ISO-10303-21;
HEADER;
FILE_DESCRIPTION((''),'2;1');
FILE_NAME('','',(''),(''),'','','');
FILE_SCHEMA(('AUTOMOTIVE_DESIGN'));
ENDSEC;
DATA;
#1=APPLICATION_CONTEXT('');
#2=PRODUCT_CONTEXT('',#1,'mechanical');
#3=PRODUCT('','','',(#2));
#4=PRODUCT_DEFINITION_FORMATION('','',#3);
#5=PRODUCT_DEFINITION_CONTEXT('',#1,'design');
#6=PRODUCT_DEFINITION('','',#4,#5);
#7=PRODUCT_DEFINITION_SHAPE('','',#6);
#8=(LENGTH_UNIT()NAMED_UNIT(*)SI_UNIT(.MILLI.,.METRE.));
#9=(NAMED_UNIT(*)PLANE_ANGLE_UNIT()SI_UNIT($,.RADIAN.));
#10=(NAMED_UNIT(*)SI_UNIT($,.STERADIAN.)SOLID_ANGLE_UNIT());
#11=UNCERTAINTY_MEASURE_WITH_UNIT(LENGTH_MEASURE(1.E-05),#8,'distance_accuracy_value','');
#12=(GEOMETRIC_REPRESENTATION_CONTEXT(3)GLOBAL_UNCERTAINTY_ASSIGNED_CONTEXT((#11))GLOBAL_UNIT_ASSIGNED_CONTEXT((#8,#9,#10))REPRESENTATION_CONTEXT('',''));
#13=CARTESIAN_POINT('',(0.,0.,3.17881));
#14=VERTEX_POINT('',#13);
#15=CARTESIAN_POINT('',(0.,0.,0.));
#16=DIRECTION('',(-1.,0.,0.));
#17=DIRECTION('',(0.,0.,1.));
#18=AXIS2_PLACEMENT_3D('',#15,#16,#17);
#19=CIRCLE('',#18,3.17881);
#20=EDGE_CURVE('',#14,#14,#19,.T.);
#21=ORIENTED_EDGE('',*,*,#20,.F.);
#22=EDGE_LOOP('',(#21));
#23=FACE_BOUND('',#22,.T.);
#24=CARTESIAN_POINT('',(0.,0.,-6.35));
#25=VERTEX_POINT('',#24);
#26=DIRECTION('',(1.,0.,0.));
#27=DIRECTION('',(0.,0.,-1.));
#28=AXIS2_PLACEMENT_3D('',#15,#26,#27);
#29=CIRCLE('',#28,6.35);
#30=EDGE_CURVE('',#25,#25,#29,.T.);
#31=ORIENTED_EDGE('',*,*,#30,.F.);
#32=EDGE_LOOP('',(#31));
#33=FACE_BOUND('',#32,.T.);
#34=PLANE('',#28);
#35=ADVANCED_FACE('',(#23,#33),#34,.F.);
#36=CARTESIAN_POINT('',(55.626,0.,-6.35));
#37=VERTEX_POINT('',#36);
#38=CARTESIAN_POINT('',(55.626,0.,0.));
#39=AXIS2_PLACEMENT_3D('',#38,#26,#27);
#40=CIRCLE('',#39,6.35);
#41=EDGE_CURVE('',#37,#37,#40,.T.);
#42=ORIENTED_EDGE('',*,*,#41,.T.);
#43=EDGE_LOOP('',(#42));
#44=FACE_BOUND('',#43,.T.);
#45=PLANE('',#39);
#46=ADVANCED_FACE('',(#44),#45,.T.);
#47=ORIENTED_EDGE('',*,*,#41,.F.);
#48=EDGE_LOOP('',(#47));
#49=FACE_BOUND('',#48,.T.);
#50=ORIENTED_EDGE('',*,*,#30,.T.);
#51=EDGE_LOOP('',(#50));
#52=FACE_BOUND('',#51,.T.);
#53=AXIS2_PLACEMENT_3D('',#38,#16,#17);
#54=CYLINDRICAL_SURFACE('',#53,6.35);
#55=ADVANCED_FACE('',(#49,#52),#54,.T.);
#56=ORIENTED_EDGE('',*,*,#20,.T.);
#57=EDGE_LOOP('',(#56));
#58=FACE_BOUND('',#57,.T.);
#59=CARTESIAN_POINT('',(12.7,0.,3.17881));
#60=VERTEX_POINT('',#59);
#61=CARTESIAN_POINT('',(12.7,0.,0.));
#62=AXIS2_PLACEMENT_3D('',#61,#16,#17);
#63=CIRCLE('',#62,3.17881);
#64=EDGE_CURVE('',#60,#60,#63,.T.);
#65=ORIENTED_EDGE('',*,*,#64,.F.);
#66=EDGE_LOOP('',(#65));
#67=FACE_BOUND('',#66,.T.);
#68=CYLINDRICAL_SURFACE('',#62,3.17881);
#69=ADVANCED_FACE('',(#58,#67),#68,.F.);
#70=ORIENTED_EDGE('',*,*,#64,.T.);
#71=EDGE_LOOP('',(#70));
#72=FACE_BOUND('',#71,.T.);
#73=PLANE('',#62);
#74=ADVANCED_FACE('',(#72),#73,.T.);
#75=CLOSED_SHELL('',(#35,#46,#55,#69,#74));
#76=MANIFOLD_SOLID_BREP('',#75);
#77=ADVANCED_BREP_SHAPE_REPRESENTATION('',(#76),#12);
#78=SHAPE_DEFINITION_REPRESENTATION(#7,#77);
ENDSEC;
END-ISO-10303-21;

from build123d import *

# Parameters (mm, degrees)
SKETCH1_R           = 6.35
BOSS_EXTRUDE1_DEPTH = 55.626
SKETCH2_R           = 3.17881
CUT_EXTRUDE1_DEPTH  = 12.7


with BuildPart() as part:
    # Sketch1 → Boss-Extrude1 (new body)
    with BuildSketch(Plane(origin=(0, 0, 0), x_dir=(0, 0, -1), z_dir=(1, 0, 0))):
        Circle(SKETCH1_R)
    extrude(amount=BOSS_EXTRUDE1_DEPTH)

    # Sketch2 → Cut-Extrude1 (cut)
    with BuildSketch(Plane.ZY):
        Circle(SKETCH2_R)
    extrude(amount=-CUT_EXTRUDE1_DEPTH, mode=Mode.SUBTRACT)


solid = part.part
